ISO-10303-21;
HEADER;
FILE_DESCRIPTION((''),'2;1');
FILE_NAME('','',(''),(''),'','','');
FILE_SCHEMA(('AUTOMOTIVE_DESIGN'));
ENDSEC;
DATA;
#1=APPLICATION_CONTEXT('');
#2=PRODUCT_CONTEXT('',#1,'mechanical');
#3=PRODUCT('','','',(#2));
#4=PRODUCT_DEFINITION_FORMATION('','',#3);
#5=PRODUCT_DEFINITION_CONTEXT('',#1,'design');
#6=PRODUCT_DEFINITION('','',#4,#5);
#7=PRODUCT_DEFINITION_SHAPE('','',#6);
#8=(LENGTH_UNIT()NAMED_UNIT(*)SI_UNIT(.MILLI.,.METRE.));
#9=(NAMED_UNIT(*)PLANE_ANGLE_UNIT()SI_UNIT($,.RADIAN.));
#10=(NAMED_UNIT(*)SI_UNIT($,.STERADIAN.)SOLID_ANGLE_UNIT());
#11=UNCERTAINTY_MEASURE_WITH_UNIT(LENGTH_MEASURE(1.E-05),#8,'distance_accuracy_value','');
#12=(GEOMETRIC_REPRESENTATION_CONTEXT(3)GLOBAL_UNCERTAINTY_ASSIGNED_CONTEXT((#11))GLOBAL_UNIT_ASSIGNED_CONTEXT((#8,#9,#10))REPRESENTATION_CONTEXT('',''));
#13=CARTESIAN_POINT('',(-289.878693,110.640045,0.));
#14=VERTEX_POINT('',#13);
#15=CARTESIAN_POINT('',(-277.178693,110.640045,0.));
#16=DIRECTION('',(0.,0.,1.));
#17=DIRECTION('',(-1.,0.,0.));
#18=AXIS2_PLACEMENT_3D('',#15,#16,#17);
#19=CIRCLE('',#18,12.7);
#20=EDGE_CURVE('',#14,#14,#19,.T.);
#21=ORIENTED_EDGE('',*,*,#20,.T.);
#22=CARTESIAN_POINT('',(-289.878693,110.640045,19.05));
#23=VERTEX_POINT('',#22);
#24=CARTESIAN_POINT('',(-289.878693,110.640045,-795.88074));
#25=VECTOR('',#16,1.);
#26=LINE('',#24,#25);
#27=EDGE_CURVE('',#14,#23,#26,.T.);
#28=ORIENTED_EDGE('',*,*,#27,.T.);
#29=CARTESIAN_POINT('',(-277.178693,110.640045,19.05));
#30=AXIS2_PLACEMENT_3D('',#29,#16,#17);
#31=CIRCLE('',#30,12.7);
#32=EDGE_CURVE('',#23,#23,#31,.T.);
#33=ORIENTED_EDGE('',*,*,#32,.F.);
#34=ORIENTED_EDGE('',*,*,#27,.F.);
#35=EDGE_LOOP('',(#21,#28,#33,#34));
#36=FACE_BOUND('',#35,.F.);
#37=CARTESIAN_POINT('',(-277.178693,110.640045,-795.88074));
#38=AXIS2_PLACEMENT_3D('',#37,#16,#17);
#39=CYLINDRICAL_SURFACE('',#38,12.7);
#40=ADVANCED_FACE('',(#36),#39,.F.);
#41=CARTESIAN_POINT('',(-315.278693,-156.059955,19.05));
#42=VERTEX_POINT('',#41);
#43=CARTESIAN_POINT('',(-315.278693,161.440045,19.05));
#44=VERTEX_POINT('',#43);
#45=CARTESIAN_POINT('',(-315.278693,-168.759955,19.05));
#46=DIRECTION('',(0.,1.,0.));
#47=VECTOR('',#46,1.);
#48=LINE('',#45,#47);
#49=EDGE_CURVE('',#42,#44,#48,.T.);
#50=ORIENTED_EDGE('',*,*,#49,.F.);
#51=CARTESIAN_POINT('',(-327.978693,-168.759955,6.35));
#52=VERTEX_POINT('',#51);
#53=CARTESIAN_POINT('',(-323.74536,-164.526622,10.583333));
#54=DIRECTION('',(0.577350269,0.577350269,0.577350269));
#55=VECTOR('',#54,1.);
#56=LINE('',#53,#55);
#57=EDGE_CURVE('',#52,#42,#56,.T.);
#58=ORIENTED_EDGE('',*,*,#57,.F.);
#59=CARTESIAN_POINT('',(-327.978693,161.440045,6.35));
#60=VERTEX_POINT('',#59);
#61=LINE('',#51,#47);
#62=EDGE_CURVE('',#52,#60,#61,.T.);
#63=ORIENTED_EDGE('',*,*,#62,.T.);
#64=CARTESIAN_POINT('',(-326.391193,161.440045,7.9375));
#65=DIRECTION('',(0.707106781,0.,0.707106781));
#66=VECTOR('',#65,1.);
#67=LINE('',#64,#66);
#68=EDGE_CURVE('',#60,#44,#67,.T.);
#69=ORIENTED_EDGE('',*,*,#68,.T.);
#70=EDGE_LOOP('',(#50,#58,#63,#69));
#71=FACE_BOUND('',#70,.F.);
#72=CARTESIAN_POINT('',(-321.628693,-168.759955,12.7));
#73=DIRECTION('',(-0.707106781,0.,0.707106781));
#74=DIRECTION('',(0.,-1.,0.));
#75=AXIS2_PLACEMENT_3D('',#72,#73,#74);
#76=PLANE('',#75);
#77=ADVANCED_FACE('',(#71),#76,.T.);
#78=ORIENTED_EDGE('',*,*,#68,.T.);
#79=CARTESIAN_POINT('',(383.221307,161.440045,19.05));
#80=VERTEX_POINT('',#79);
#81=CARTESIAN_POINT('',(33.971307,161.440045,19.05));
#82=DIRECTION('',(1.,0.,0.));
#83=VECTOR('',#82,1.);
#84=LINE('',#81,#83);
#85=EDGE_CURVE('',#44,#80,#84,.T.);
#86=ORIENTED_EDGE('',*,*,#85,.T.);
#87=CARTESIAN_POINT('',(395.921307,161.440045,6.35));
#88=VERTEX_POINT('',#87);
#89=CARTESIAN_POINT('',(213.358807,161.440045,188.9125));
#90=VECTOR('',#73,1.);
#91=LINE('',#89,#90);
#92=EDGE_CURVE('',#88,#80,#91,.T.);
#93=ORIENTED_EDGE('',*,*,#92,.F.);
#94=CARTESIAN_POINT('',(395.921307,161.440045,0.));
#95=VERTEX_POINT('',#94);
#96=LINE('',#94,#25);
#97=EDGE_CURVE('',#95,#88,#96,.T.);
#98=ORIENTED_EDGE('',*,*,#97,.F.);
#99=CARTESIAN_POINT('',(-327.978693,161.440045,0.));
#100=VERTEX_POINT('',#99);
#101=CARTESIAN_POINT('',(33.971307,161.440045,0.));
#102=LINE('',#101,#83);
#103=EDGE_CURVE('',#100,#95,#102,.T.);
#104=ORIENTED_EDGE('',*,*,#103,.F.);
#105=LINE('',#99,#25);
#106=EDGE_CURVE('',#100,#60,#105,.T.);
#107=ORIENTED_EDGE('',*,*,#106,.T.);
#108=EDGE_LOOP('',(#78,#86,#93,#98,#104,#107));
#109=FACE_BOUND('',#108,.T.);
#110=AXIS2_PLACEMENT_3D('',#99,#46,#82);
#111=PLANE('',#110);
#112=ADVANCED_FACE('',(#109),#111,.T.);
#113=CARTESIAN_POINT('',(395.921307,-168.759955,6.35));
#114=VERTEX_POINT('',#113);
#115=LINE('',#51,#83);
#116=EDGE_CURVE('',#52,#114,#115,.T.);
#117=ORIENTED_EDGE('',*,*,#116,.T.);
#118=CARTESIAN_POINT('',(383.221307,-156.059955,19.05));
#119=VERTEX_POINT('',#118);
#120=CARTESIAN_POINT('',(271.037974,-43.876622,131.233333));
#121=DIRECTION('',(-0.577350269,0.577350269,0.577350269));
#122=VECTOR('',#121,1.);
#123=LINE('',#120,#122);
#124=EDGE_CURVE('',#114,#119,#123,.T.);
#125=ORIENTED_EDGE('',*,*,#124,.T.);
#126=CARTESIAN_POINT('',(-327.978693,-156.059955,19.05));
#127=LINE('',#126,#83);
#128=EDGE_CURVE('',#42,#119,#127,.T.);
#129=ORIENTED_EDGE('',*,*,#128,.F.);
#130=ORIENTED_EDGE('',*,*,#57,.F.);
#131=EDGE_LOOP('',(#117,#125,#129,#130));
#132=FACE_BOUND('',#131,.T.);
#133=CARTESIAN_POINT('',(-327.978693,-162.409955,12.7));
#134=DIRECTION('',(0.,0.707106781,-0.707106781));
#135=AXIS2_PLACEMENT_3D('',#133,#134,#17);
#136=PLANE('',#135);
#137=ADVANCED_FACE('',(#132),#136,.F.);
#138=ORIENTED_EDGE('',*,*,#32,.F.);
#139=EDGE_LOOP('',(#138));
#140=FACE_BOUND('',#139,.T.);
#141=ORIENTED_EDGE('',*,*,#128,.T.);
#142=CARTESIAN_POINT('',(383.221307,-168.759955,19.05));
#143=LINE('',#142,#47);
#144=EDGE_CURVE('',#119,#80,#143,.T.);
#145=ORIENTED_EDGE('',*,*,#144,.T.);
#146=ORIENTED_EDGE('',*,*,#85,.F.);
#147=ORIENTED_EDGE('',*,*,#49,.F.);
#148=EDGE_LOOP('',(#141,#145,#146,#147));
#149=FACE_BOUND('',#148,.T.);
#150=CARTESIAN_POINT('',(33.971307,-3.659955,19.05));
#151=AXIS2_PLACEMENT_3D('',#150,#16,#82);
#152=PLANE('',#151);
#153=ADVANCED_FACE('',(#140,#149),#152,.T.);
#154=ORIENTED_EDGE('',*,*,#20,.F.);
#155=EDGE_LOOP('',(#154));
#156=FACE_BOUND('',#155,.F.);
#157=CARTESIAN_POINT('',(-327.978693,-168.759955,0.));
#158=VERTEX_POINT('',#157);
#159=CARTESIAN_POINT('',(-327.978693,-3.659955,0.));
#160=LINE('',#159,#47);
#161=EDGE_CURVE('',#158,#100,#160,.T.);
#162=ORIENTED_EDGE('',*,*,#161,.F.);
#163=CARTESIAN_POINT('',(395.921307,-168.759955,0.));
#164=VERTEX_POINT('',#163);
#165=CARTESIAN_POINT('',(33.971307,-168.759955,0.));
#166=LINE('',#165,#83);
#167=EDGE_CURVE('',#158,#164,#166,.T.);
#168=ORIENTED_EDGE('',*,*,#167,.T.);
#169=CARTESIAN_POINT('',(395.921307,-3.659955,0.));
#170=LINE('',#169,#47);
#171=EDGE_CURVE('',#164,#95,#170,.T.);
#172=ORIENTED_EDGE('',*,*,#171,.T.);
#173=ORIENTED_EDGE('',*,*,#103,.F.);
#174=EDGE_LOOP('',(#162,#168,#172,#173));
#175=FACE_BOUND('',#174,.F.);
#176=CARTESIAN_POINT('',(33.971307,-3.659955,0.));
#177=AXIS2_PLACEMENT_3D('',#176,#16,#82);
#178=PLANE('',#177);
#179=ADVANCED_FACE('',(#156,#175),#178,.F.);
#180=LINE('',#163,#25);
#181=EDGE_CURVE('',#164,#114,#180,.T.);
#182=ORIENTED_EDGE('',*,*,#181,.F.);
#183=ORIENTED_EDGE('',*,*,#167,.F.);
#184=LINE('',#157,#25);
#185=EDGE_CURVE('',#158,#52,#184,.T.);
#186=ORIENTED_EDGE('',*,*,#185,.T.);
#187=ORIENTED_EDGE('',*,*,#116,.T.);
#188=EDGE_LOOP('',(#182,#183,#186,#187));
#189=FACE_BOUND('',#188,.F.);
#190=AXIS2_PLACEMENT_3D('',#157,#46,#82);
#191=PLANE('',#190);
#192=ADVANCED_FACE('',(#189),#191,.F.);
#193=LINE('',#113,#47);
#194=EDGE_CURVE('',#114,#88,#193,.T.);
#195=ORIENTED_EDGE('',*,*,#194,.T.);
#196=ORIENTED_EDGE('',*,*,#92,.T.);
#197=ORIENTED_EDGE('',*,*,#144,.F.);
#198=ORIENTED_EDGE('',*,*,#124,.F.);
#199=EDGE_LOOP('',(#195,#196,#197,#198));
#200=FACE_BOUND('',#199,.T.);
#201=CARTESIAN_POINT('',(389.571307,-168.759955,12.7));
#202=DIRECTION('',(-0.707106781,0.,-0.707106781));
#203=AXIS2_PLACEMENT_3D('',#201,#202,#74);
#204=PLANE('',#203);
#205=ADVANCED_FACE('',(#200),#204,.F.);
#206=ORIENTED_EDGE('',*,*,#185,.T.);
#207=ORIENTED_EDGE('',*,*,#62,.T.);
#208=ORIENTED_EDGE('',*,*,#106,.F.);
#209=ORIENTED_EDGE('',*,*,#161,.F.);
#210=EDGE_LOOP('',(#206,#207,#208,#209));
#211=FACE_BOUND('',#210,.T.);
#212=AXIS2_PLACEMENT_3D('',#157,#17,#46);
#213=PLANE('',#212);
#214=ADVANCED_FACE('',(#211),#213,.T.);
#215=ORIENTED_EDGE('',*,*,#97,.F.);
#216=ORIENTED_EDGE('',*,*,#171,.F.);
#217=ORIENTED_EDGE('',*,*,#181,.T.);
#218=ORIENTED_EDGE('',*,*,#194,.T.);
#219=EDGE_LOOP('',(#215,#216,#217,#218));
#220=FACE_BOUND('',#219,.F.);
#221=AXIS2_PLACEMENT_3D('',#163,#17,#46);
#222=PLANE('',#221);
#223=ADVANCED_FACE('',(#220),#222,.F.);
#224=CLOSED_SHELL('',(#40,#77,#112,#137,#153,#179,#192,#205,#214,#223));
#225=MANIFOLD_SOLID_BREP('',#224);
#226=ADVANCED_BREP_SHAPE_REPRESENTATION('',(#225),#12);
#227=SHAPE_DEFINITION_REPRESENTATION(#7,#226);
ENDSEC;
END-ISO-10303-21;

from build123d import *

# Parameters (mm, degrees)
F0_W     = 723.9
F0_H     = 330.2
F1_DEPTH = 19.05
F2_SIZE  = 12.7
F3_D     = 25.4


with BuildPart() as f1:
    # F0 (on Top) → F1 (new body)
    with BuildSketch(Plane.XY):
        with Locations((33.9713070929, -3.6599552712)):
            Rectangle(F0_W, F0_H)
    extrude(amount=F1_DEPTH)

    # F2
    f2_edges = [f1.edges().sort_by_distance(p)[0] for p in [
        (395.921307, -3.659955, 19.05),
        (-327.978693, -3.659955, 19.05),
        (33.971307, -168.759955, 19.05),
    ]]
    chamfer(f2_edges, length=F2_SIZE)

    # F3 (through all)
    with Locations(Plane(origin=(0, 0, 0), x_dir=(1, 0, 0), z_dir=(0, 0, -1))):
        with Locations((-277.1786929071, -110.6400447288)):
            Hole(F3_D / 2)


solid = f1.part
